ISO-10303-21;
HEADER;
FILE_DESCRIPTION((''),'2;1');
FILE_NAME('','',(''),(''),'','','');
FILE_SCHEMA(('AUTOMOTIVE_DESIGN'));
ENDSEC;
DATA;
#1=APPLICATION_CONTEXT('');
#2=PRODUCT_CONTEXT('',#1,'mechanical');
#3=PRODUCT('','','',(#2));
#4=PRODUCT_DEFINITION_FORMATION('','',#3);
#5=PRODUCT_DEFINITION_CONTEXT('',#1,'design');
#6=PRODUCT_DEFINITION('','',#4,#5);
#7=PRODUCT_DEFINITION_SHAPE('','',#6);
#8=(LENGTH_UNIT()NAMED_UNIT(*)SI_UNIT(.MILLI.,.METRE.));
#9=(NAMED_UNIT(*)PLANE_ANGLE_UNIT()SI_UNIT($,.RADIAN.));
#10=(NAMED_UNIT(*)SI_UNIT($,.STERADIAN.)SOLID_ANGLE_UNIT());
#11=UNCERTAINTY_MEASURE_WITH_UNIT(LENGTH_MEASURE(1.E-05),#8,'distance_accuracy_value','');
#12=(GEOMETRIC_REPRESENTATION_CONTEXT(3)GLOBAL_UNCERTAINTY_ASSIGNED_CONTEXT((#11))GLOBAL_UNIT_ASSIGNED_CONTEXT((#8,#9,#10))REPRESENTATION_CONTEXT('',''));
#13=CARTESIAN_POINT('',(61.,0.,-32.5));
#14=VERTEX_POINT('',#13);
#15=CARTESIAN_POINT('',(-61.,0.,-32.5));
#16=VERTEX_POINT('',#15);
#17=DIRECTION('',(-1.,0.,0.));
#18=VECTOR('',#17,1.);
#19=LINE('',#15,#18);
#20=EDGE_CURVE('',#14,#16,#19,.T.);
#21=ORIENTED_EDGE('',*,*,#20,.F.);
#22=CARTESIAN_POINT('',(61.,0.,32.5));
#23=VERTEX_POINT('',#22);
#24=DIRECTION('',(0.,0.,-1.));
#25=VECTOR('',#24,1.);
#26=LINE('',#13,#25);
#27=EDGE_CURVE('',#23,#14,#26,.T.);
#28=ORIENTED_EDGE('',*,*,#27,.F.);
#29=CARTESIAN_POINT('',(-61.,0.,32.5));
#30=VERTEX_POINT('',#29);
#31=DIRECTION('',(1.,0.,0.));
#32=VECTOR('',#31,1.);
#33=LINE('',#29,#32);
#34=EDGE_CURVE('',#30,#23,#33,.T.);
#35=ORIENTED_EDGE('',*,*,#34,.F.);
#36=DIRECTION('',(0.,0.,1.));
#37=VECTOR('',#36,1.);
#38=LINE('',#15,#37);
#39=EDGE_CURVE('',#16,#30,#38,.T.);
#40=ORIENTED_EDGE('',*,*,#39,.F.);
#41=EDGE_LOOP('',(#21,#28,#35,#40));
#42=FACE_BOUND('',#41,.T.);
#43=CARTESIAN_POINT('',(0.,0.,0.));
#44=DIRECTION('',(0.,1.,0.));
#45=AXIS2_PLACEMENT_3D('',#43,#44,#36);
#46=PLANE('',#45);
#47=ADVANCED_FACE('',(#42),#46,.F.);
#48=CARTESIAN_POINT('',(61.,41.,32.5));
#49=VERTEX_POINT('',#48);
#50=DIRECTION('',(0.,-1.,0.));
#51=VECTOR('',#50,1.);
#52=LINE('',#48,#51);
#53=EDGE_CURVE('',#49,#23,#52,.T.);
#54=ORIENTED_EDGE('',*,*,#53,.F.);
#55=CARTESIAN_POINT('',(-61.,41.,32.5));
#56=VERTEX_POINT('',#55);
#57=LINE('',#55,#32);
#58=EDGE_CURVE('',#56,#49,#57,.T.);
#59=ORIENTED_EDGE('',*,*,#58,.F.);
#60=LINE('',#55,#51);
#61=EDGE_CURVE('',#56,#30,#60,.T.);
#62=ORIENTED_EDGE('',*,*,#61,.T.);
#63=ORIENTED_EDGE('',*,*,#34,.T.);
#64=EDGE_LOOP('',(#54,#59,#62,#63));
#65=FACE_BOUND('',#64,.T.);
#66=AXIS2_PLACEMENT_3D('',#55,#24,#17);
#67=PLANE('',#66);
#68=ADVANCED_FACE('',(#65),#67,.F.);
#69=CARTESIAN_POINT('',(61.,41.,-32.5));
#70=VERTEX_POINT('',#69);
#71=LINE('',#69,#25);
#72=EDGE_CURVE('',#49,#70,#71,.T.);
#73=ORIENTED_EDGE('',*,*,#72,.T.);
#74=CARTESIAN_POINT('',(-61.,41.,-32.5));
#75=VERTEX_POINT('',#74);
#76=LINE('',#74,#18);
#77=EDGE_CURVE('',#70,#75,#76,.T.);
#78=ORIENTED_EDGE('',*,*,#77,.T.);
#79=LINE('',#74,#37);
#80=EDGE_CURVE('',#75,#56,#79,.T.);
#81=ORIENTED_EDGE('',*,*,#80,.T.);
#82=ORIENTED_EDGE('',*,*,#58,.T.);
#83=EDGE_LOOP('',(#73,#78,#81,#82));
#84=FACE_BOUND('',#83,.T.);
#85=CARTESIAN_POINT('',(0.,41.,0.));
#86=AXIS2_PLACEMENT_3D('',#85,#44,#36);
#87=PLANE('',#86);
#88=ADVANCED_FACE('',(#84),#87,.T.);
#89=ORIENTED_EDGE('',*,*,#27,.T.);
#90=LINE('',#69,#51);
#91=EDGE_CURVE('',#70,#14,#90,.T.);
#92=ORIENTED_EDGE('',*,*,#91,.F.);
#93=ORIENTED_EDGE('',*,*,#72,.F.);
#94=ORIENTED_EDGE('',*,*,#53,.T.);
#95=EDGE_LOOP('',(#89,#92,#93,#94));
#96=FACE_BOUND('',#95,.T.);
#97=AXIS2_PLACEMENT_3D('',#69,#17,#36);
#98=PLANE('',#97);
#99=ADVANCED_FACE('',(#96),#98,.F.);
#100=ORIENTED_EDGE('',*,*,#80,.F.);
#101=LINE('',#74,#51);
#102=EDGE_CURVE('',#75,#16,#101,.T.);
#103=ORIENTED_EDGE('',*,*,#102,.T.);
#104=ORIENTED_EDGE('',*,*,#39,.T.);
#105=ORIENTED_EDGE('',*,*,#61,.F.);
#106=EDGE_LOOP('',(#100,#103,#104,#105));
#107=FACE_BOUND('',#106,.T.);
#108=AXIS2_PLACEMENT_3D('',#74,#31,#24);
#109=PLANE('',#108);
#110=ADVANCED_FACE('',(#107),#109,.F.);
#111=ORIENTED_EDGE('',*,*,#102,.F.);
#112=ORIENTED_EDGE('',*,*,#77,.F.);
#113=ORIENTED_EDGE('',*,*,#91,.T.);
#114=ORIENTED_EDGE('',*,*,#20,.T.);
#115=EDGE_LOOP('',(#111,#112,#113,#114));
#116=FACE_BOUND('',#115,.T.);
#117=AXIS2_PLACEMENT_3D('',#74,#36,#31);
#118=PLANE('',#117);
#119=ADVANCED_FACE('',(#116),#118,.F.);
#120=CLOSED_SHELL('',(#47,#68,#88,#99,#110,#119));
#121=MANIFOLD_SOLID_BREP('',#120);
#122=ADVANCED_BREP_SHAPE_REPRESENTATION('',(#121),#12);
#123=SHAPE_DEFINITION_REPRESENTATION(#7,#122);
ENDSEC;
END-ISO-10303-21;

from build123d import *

# Parameters (mm, degrees)
SKETCH_1_W      = 122
SKETCH_1_H      = 65
EXTRUDE_1_DEPTH = 41


with BuildPart() as part:
    # 草圖1 → 填料-伸長1 (new body)
    with BuildSketch(Plane(origin=(0, 0, 0), x_dir=(1, 0, 0), z_dir=(0, 1, 0))):
        Rectangle(SKETCH_1_W, SKETCH_1_H)
    extrude(amount=EXTRUDE_1_DEPTH)


solid = part.part
